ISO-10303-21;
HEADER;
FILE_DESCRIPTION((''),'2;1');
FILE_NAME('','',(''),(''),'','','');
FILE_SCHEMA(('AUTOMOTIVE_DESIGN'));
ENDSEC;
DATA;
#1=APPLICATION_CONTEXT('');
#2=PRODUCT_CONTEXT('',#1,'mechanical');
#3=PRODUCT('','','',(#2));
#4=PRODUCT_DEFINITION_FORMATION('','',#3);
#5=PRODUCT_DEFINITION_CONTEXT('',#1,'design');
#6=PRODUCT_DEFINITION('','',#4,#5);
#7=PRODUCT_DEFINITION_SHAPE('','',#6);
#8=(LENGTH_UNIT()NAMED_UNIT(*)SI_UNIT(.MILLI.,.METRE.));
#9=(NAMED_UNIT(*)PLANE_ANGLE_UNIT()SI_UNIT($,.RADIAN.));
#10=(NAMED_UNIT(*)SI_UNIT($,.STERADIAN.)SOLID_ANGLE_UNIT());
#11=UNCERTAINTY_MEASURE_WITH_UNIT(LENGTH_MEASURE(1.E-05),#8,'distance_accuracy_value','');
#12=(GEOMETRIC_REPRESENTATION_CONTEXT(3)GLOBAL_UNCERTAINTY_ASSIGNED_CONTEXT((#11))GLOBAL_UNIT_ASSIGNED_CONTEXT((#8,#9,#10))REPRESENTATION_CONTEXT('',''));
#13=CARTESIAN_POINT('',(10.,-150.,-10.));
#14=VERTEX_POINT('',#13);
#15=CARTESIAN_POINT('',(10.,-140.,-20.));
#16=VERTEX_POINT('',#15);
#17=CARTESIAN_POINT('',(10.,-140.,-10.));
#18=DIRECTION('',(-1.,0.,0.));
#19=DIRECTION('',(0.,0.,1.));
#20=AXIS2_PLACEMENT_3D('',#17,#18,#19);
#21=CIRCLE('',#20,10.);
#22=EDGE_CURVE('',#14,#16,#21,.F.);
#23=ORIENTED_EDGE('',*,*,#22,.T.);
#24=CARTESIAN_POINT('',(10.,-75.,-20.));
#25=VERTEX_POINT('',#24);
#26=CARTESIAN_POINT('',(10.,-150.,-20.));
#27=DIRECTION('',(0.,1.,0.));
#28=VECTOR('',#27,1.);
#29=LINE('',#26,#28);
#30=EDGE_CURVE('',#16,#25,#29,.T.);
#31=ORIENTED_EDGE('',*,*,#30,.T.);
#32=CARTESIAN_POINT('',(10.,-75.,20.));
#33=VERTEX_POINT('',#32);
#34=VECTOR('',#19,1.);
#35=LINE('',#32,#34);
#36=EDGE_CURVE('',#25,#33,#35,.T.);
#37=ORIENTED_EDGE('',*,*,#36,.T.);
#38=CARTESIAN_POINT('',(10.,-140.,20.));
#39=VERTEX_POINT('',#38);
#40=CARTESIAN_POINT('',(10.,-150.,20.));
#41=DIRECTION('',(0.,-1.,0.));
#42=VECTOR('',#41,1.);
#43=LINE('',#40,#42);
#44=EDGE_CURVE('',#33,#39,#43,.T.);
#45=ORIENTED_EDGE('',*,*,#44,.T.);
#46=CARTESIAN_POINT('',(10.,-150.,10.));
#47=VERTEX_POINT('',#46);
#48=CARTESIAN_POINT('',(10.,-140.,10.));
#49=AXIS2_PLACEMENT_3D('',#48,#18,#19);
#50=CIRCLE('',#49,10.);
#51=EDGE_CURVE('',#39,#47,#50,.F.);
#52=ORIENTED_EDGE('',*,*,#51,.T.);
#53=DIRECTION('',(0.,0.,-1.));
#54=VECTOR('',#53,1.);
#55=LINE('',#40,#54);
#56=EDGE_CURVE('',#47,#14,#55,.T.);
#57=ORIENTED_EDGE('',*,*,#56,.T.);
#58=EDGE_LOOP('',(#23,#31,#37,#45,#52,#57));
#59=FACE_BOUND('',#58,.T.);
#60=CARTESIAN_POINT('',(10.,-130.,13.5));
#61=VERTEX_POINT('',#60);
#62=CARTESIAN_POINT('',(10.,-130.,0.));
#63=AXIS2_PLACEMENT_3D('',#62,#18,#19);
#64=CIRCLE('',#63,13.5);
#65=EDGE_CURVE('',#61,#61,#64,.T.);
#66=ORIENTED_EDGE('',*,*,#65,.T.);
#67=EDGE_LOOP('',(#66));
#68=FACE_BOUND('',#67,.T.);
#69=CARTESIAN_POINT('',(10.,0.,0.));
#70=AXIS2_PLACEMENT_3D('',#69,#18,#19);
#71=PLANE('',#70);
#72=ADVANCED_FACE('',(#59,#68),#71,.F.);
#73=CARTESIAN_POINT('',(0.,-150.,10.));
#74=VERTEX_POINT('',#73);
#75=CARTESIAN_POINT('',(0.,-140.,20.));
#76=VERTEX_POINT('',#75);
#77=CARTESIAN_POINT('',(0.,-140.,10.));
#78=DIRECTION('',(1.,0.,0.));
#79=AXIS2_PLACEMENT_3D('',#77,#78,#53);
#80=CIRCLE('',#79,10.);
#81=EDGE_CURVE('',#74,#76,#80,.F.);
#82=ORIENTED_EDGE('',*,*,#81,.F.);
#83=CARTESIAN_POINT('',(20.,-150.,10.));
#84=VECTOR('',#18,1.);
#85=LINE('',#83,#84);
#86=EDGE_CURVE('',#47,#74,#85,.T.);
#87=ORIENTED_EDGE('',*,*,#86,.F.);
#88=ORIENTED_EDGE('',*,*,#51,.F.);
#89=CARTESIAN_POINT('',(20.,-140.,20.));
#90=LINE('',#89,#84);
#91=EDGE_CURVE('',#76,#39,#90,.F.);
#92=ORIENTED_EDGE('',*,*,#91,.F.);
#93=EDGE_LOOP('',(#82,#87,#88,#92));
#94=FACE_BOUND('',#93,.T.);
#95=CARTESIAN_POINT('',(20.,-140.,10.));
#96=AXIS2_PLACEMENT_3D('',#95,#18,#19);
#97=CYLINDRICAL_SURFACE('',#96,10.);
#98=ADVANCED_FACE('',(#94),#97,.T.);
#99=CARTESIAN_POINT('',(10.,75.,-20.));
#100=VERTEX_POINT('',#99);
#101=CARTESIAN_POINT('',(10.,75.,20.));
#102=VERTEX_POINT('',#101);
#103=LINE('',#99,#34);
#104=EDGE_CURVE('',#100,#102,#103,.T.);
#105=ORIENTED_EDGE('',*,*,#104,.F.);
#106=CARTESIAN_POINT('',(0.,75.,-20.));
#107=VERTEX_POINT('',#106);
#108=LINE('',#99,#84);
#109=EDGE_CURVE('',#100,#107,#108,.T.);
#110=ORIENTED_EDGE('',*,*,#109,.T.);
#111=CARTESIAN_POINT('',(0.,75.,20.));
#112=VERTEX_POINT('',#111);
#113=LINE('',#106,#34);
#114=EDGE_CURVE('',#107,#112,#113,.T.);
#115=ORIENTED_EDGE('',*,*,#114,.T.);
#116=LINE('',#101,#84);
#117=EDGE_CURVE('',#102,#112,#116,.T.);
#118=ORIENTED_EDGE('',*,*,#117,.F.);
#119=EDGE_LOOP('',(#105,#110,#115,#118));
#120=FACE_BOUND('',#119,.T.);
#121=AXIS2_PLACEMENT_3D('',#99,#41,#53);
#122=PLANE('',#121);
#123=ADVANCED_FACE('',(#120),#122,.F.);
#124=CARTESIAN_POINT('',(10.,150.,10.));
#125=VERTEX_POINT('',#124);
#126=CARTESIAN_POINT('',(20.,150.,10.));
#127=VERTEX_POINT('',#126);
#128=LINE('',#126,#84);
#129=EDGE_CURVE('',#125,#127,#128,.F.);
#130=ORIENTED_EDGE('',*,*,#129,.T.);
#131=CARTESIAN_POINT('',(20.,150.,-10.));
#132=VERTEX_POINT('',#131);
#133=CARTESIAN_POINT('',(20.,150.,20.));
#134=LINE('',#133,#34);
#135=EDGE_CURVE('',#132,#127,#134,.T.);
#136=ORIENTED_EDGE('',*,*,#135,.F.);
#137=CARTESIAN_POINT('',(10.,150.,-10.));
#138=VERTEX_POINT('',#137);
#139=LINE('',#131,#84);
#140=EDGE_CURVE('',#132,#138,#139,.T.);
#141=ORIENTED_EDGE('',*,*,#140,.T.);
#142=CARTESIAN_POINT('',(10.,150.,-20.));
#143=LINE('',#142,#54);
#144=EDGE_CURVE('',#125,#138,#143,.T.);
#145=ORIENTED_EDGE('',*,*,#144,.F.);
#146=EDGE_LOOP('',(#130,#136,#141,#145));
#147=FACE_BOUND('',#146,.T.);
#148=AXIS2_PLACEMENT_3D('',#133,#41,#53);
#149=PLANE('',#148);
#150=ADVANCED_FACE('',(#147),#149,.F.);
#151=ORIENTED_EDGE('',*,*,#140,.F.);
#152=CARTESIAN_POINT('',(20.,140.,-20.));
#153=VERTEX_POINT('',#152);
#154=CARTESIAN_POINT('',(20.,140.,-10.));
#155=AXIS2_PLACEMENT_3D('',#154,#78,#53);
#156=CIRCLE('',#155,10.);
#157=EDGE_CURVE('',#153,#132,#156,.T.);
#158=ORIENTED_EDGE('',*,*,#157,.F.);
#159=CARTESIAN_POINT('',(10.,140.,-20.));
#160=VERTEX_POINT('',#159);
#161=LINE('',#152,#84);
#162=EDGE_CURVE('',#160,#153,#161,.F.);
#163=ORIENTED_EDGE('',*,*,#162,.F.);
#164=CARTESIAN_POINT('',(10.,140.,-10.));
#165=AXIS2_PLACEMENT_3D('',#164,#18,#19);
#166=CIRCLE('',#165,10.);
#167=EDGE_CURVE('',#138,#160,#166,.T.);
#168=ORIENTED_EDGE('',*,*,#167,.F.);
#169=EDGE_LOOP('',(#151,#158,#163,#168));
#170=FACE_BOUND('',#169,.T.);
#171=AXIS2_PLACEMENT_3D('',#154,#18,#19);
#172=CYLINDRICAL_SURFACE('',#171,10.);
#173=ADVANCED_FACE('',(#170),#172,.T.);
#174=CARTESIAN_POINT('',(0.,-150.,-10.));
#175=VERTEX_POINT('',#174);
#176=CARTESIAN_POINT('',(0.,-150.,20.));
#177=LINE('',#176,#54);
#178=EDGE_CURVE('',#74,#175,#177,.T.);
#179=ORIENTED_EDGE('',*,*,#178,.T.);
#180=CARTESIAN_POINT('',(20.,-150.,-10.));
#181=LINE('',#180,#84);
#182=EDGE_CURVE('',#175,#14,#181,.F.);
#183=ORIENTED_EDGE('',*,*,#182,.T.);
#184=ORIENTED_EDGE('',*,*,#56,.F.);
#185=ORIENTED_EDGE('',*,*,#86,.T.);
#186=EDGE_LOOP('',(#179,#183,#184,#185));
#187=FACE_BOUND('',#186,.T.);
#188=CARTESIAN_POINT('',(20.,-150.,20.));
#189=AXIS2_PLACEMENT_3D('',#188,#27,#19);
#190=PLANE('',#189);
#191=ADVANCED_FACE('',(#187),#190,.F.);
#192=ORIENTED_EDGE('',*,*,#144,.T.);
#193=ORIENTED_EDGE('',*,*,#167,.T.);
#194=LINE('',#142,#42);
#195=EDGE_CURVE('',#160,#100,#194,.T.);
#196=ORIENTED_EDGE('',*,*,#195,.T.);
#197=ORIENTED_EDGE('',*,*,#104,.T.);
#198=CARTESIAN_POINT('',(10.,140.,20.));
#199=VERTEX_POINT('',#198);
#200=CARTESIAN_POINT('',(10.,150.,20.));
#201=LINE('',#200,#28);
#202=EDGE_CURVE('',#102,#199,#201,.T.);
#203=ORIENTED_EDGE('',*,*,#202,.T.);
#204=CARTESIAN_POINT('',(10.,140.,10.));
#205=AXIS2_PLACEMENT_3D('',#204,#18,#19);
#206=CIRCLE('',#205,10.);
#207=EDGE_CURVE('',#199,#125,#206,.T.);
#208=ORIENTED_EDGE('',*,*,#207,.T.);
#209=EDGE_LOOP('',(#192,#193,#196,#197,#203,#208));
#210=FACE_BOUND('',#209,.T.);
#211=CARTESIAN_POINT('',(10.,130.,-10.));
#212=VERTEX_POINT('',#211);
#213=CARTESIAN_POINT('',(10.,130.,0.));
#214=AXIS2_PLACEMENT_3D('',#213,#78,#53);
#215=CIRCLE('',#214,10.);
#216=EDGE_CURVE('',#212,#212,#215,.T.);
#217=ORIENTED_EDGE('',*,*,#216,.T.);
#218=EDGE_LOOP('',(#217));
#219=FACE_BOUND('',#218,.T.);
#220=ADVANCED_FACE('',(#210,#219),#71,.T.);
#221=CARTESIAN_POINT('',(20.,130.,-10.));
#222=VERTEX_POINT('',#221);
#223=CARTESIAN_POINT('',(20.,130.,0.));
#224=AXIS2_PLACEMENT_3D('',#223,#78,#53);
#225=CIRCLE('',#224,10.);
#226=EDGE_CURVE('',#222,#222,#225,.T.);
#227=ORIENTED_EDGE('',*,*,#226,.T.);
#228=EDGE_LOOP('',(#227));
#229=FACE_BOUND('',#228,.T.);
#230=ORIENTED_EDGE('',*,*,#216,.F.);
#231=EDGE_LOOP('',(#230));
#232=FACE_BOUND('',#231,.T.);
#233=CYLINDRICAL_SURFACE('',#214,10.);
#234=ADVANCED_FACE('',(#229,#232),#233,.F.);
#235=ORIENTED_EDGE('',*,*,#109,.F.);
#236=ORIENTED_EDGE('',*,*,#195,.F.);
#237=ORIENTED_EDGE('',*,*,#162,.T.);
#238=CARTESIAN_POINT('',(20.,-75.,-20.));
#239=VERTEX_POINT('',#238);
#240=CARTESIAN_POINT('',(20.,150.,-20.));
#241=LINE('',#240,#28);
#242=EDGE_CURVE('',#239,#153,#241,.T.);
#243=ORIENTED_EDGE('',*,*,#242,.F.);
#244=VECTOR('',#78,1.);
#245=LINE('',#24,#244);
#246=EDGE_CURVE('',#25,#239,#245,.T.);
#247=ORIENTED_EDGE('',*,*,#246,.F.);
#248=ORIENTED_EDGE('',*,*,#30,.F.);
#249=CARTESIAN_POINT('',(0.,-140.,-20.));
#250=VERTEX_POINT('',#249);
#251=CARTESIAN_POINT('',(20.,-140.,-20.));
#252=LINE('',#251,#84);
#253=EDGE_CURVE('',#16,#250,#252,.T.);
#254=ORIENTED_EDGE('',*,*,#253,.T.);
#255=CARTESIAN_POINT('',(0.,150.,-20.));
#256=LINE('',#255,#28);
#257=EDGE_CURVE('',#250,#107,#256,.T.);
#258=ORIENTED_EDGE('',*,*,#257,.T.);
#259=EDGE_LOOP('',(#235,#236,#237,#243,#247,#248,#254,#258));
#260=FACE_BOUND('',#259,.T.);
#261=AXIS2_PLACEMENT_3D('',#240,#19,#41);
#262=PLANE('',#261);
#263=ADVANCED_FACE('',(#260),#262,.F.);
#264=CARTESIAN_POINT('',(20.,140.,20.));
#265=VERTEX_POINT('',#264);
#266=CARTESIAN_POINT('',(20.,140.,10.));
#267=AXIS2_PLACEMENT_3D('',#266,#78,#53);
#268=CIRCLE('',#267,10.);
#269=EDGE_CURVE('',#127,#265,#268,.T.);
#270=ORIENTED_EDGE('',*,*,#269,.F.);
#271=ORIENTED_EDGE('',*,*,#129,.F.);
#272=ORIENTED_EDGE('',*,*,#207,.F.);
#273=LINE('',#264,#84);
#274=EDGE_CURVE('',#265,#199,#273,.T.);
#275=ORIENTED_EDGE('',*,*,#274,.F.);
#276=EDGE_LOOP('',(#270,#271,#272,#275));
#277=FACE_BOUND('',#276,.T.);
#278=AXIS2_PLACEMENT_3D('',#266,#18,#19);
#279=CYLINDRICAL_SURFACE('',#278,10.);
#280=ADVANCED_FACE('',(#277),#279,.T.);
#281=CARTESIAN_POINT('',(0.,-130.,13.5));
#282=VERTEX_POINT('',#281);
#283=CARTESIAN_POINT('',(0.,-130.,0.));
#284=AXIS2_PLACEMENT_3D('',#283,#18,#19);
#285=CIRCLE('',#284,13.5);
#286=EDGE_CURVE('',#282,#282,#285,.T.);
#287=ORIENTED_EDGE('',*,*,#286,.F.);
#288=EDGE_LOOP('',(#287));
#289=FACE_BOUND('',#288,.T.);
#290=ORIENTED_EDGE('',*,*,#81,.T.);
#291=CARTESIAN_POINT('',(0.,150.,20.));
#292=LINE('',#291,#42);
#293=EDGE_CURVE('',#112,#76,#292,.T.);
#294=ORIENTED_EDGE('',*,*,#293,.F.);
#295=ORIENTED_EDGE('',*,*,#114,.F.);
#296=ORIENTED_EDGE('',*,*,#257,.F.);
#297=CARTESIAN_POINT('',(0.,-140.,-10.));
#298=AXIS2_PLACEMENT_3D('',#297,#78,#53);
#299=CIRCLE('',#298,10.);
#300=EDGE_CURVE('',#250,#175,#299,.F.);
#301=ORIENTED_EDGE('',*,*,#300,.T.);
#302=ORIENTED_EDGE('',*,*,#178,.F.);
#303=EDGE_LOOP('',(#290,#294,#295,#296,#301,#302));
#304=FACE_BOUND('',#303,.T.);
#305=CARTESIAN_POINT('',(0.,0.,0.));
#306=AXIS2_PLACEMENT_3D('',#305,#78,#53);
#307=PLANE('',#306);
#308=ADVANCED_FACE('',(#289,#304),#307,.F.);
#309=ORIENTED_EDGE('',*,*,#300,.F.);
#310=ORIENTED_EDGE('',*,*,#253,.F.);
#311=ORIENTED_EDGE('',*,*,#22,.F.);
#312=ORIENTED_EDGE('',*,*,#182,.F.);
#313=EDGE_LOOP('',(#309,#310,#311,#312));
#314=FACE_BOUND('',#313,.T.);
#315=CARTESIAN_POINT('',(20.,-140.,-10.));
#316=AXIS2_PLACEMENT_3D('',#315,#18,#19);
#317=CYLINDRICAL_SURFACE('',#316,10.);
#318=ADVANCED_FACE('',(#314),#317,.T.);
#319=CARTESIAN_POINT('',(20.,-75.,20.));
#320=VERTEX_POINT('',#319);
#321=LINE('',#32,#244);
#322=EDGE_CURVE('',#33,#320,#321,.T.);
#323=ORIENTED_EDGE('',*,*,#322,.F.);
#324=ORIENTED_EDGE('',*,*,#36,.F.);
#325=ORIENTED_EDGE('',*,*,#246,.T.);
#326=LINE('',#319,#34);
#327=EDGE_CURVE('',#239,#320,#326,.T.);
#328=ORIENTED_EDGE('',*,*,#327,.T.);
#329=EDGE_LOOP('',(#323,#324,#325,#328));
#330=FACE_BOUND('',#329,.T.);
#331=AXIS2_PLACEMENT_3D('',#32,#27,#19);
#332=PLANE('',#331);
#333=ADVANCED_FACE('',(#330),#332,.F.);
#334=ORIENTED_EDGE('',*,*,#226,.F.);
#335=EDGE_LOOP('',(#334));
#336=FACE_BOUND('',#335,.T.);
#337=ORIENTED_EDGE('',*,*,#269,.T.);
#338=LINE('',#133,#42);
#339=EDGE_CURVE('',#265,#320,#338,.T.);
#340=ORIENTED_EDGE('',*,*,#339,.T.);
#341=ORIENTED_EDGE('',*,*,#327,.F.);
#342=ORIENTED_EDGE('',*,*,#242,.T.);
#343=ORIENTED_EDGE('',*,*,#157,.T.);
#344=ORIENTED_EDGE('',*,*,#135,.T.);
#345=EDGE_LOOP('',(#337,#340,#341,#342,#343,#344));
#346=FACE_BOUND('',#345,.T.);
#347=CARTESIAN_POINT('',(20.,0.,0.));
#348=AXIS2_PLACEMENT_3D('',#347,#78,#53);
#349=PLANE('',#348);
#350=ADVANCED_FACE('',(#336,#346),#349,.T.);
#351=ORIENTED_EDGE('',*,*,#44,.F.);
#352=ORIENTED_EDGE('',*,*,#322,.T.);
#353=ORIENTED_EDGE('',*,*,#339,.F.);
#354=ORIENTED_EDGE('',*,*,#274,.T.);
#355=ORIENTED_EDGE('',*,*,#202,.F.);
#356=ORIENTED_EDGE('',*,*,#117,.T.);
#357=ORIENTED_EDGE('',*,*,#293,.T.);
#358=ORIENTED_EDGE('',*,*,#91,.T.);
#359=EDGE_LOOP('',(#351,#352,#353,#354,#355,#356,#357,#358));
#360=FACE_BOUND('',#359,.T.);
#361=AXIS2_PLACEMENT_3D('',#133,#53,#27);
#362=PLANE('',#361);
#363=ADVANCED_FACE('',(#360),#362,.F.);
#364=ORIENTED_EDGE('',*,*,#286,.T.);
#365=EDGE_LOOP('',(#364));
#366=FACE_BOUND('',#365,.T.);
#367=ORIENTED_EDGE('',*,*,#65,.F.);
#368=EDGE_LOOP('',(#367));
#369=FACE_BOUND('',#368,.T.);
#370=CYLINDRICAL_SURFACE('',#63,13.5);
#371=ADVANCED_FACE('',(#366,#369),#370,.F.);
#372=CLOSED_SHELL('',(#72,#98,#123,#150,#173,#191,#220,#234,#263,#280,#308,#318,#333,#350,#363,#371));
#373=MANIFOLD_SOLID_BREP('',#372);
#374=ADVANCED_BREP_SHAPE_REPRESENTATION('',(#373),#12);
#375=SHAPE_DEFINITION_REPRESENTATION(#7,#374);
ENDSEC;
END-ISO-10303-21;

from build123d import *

# Parameters (mm, degrees)
SKETCH1_W           = 40
SKETCH1_H           = 300
BOSS_EXTRUDE1_DEPTH = 20
SKETCH2_W           = 40
SKETCH2_H           = 75
CUT_EXTRUDE1_DEPTH  = 10
SKETCH3_W           = 40
SKETCH3_H           = 75
CUT_EXTRUDE2_DEPTH  = 10
SKETCH4_R           = 13.5
CUT_EXTRUDE3_DEPTH  = 10
FILLET1_R           = 10
SKETCH5_R           = 10
CUT_EXTRUDE4_DEPTH  = 10


with BuildPart() as part:
    # Sketch1 → Boss-Extrude1 (new body)
    with BuildSketch(Plane(origin=(0, 0, 0), x_dir=(0, 0, -1), z_dir=(1, 0, 0))):
        Rectangle(SKETCH1_W, SKETCH1_H)
    extrude(amount=BOSS_EXTRUDE1_DEPTH)

    # Sketch2 → Cut-Extrude1 (cut)
    with BuildSketch(Plane.ZY):
        with Locations((0, 112.5)):
            Rectangle(SKETCH2_W, SKETCH2_H)
    extrude(amount=-CUT_EXTRUDE1_DEPTH, mode=Mode.SUBTRACT)

    # Sketch3 → Cut-Extrude2 (cut)
    with BuildSketch(Plane(origin=(20, 0, 0), x_dir=(0, 0, -1), z_dir=(1, 0, 0))):
        with Locations((0, -112.5)):
            Rectangle(SKETCH3_W, SKETCH3_H)
    extrude(amount=-CUT_EXTRUDE2_DEPTH, mode=Mode.SUBTRACT)

    # Sketch4 → Cut-Extrude3 (cut)
    with BuildSketch(Plane.ZY):
        with Locations((0, -130)):
            Circle(SKETCH4_R)
    extrude(amount=-CUT_EXTRUDE3_DEPTH, mode=Mode.SUBTRACT)

    # Fillet1
    fillet1_edges = [part.edges().sort_by_distance(p)[0] for p in [
        (5, -150, -20),
        (5, -150, 20),
        (15, 150, 20),
        (15, 150, -20),
    ]]
    fillet(fillet1_edges, radius=FILLET1_R)

    # Sketch5 → Cut-Extrude4 (cut)
    with BuildSketch(Plane(origin=(20, 0, 0), x_dir=(0, 0, -1), z_dir=(1, 0, 0))):
        with Locations((0, 130)):
            Circle(SKETCH5_R)
    extrude(amount=-CUT_EXTRUDE4_DEPTH, mode=Mode.SUBTRACT)


solid = part.part
